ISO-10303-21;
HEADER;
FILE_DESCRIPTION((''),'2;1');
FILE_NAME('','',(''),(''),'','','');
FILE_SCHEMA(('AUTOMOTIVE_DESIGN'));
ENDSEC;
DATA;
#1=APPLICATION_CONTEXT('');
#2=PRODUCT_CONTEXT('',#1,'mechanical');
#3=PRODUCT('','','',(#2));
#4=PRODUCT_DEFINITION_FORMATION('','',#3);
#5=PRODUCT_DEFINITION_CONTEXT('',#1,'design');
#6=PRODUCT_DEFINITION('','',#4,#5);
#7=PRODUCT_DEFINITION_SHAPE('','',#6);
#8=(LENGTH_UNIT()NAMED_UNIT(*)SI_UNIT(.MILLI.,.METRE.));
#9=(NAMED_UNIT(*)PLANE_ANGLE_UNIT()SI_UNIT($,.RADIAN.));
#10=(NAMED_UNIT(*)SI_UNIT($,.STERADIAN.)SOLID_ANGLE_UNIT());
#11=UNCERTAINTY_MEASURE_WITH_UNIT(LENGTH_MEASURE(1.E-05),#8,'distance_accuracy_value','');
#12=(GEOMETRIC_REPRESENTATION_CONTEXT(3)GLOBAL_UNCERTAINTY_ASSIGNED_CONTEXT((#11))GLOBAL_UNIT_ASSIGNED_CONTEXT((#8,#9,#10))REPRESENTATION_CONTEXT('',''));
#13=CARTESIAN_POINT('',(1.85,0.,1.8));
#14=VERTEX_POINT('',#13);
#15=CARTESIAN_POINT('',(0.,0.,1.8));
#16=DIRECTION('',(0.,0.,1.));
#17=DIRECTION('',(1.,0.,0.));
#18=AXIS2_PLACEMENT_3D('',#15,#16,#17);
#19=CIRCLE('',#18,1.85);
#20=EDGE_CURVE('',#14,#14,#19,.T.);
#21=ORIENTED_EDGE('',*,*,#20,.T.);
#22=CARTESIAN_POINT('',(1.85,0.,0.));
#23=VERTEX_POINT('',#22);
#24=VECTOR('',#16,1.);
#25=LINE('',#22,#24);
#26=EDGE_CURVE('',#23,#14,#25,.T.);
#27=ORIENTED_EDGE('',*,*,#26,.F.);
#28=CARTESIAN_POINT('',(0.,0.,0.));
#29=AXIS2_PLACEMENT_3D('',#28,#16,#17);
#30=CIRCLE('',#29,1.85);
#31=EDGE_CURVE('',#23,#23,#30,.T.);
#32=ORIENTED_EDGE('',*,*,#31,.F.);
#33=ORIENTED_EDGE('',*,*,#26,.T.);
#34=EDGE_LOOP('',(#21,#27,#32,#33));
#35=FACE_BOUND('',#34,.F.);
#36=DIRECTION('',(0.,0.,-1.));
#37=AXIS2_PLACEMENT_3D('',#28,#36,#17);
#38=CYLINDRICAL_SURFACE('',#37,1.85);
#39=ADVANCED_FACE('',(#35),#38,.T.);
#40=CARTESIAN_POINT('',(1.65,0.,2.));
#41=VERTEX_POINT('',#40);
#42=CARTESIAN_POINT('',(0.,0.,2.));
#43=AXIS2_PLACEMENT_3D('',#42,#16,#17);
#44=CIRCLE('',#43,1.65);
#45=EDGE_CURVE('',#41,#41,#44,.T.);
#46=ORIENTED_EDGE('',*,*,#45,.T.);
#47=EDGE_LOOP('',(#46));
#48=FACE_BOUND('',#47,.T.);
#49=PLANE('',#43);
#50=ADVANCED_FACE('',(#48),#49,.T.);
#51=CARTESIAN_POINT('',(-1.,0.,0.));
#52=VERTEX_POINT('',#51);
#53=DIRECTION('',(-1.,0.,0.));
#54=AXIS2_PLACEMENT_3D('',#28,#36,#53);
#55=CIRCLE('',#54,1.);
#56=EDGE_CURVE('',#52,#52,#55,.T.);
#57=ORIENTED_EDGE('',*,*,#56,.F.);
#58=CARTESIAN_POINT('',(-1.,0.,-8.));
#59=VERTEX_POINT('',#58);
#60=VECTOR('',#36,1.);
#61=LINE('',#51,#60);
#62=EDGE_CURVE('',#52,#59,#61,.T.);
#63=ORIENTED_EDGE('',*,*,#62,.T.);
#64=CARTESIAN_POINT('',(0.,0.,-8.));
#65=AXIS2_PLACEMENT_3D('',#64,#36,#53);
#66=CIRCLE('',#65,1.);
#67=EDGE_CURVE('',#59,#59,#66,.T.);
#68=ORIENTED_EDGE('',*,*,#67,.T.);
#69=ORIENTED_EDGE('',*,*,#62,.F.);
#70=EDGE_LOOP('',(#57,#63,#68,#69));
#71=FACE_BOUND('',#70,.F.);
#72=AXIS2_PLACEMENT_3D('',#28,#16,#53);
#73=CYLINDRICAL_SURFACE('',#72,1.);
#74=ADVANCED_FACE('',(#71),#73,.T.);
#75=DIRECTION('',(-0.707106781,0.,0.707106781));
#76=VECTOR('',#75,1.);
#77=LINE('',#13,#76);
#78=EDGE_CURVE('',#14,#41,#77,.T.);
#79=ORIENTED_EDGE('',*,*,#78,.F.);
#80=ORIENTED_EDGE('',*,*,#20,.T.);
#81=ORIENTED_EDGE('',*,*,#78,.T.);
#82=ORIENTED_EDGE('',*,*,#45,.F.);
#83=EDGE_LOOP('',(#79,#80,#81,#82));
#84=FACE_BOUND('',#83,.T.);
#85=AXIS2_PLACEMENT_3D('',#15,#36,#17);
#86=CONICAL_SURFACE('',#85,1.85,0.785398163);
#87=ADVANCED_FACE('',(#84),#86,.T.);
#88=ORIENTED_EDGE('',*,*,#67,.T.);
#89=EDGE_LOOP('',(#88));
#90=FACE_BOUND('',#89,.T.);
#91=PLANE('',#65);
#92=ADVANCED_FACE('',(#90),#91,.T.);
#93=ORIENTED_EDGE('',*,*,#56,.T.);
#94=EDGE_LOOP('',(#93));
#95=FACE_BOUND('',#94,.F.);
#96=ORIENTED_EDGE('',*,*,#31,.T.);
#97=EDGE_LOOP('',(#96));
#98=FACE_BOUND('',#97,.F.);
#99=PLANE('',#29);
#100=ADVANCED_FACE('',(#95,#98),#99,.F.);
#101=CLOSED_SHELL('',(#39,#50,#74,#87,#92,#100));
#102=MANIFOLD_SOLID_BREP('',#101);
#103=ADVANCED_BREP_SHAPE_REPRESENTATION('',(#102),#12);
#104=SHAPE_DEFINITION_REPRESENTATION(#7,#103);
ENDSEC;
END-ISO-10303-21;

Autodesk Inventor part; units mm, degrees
ref_plane "YZ Plane" through (0, 0, 0) normal (1, 0, 0) x (0, 1, 0)
ref_plane "XZ Plane" through (0, 0, 0) normal (0, 1, 0) x (-1, 0, 0)
ref_plane "XY Plane" through (0, 0, 0) normal (0, 0, 1) x (1, 0, 0)
sketch "スケッチ1" plane through (0, 0, 0) normal (0, 0, 1) x (1, 0, 0)
  circle A0 centre (0, 0) radius 1.85
  dimension "d0" = 3.7
extrude "押し出し1" add sketch "スケッチ1" along normal blind 2
sketch "スケッチ2" plane through (0, 0, 0) normal (0, 0, -1) x (-1, 0, 0)
  circle A0 centre (0, 0) radius 1
  dimension "d3" = 2
extrude "押し出し2" add sketch "スケッチ2" along normal blind 8
thread "ねじ1" size "M2x0.4" class "6g" standard "ANSI Metric M Profile" full length
chamfer "面取り1" distance 0.2 angle 45 1 edges at (-1.85, 0, 2)
properties part number "M2×8" material "ステンレス鋼"
